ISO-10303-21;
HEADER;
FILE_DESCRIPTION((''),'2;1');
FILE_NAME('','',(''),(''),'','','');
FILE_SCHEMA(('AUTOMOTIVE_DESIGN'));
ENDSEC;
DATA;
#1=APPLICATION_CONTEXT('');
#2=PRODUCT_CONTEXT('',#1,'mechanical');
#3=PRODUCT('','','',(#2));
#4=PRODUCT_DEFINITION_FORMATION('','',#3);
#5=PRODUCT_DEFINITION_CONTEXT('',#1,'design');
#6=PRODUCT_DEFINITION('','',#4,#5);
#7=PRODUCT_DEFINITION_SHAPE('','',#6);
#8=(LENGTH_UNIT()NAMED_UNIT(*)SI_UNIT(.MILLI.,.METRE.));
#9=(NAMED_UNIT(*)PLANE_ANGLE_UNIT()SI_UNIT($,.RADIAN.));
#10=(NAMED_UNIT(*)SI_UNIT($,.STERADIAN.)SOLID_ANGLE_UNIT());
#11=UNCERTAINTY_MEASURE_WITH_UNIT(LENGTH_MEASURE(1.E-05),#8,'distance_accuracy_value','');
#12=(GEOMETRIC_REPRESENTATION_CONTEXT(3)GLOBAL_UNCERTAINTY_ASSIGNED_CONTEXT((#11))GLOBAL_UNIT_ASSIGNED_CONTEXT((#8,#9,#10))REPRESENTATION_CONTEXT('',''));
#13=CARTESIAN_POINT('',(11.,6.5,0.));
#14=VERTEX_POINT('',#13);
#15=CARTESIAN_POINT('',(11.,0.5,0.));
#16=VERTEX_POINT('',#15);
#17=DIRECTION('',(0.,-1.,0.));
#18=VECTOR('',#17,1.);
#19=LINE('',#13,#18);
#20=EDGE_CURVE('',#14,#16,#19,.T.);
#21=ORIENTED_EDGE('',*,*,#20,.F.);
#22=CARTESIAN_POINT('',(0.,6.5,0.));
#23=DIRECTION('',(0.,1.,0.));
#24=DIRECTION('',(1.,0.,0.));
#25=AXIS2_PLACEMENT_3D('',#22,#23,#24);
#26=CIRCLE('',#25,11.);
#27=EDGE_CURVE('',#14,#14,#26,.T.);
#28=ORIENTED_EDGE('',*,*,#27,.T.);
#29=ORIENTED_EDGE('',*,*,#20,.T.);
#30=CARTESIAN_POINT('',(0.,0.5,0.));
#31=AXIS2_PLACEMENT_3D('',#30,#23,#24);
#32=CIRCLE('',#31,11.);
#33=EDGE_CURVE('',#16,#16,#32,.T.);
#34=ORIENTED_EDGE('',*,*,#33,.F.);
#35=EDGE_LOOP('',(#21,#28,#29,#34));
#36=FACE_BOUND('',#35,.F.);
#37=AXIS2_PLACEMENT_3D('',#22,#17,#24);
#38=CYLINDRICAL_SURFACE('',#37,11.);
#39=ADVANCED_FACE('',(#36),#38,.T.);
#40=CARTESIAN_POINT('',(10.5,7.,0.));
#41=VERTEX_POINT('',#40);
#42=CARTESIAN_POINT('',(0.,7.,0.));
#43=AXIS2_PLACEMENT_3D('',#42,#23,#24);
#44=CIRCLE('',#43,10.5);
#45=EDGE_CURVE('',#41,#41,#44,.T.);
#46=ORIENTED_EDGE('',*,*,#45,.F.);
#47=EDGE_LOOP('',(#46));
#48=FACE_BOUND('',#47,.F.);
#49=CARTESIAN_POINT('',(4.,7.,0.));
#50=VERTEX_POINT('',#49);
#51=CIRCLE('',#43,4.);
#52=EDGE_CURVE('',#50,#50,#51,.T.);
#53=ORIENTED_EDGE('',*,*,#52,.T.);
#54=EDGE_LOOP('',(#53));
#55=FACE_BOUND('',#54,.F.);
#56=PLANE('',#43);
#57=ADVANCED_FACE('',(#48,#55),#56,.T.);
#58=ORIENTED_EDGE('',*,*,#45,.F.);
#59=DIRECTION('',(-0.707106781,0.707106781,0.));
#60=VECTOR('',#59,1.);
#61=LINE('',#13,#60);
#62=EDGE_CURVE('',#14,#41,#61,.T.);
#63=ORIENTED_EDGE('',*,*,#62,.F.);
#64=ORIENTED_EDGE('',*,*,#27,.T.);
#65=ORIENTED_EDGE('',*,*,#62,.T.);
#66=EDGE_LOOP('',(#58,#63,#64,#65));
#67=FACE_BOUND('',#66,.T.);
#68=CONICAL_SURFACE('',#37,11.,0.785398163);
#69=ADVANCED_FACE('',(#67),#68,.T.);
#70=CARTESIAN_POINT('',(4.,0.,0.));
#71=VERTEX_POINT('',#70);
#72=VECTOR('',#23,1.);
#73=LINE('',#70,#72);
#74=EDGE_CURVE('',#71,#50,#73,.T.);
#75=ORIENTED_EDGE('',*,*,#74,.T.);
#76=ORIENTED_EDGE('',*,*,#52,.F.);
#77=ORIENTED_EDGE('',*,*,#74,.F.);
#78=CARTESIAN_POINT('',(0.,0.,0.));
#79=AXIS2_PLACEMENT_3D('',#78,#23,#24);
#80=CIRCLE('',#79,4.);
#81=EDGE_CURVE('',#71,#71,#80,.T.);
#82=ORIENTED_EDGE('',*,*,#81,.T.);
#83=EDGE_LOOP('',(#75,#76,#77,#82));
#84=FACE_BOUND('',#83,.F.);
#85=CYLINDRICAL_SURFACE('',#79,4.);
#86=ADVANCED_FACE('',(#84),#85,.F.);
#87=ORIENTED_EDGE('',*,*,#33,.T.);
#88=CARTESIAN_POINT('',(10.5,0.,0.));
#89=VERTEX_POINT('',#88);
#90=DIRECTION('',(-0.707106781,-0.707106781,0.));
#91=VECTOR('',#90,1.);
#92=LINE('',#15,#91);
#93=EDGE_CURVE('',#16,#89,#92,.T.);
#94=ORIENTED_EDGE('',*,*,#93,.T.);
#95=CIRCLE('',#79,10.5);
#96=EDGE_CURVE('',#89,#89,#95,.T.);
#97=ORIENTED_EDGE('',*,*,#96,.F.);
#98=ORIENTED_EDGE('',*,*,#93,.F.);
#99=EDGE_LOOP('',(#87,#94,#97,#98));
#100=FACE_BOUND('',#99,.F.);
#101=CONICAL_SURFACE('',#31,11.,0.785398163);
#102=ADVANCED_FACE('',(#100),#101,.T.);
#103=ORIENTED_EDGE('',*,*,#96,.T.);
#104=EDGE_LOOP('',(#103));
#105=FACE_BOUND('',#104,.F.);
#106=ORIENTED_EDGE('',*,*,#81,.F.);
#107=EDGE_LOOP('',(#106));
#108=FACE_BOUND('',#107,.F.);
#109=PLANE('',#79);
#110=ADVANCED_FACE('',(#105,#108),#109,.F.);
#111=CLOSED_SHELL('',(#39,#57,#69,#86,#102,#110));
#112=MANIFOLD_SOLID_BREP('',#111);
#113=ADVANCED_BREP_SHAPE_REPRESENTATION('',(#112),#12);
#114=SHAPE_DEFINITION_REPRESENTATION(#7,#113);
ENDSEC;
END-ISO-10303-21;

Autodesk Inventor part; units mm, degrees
ref_plane "YZ Plane" through (0, 0, 0) normal (1, 0, 0) x (0, 1, 0)
ref_plane "XZ Plane" through (0, 0, 0) normal (0, 1, 0) x (-1, 0, 0)
ref_plane "XY Plane" through (0, 0, 0) normal (0, 0, 1) x (1, 0, 0)
sketch "Sketch1" plane through (0, 0, 0) normal (0, 0, 1) x (1, 0, 0)
  line L0 (0, 0) -> (4, 0)
  line L1 (4, 0) -> (4, 7)
  line L2 (4, 7) -> (10.5, 7)
  line L3 (11, 6.5) -> (11, 0.5)
  line L4 (10.5, 0) -> (4, 0)
  line L5 (11, 6.5) -> (10.5, 7)
  line L6 (11, 0.5) -> (10.5, 0)
  line L7 (0, -1.4) -> (0, 8.4) projected
  point P0 (11, 7)
  point P1 (11, 0)
  dimension "d0" = 0.5
  dimension "d1" = 0.5
  dimension "d2" = 0.5
  dimension "d3" = 0.5
  dimension "d4" = 4
  dimension "d5" = 11
  dimension "d6" = 7
revolve "Revolution1" add sketch "Sketch1" angle 360 about axis through (0, -10, 0) along (0, 1, 0)
equation "\"d1\" = d0"
equation "\"d2\" = d0"
equation "\"d3\" = d2"
properties part number "608"
